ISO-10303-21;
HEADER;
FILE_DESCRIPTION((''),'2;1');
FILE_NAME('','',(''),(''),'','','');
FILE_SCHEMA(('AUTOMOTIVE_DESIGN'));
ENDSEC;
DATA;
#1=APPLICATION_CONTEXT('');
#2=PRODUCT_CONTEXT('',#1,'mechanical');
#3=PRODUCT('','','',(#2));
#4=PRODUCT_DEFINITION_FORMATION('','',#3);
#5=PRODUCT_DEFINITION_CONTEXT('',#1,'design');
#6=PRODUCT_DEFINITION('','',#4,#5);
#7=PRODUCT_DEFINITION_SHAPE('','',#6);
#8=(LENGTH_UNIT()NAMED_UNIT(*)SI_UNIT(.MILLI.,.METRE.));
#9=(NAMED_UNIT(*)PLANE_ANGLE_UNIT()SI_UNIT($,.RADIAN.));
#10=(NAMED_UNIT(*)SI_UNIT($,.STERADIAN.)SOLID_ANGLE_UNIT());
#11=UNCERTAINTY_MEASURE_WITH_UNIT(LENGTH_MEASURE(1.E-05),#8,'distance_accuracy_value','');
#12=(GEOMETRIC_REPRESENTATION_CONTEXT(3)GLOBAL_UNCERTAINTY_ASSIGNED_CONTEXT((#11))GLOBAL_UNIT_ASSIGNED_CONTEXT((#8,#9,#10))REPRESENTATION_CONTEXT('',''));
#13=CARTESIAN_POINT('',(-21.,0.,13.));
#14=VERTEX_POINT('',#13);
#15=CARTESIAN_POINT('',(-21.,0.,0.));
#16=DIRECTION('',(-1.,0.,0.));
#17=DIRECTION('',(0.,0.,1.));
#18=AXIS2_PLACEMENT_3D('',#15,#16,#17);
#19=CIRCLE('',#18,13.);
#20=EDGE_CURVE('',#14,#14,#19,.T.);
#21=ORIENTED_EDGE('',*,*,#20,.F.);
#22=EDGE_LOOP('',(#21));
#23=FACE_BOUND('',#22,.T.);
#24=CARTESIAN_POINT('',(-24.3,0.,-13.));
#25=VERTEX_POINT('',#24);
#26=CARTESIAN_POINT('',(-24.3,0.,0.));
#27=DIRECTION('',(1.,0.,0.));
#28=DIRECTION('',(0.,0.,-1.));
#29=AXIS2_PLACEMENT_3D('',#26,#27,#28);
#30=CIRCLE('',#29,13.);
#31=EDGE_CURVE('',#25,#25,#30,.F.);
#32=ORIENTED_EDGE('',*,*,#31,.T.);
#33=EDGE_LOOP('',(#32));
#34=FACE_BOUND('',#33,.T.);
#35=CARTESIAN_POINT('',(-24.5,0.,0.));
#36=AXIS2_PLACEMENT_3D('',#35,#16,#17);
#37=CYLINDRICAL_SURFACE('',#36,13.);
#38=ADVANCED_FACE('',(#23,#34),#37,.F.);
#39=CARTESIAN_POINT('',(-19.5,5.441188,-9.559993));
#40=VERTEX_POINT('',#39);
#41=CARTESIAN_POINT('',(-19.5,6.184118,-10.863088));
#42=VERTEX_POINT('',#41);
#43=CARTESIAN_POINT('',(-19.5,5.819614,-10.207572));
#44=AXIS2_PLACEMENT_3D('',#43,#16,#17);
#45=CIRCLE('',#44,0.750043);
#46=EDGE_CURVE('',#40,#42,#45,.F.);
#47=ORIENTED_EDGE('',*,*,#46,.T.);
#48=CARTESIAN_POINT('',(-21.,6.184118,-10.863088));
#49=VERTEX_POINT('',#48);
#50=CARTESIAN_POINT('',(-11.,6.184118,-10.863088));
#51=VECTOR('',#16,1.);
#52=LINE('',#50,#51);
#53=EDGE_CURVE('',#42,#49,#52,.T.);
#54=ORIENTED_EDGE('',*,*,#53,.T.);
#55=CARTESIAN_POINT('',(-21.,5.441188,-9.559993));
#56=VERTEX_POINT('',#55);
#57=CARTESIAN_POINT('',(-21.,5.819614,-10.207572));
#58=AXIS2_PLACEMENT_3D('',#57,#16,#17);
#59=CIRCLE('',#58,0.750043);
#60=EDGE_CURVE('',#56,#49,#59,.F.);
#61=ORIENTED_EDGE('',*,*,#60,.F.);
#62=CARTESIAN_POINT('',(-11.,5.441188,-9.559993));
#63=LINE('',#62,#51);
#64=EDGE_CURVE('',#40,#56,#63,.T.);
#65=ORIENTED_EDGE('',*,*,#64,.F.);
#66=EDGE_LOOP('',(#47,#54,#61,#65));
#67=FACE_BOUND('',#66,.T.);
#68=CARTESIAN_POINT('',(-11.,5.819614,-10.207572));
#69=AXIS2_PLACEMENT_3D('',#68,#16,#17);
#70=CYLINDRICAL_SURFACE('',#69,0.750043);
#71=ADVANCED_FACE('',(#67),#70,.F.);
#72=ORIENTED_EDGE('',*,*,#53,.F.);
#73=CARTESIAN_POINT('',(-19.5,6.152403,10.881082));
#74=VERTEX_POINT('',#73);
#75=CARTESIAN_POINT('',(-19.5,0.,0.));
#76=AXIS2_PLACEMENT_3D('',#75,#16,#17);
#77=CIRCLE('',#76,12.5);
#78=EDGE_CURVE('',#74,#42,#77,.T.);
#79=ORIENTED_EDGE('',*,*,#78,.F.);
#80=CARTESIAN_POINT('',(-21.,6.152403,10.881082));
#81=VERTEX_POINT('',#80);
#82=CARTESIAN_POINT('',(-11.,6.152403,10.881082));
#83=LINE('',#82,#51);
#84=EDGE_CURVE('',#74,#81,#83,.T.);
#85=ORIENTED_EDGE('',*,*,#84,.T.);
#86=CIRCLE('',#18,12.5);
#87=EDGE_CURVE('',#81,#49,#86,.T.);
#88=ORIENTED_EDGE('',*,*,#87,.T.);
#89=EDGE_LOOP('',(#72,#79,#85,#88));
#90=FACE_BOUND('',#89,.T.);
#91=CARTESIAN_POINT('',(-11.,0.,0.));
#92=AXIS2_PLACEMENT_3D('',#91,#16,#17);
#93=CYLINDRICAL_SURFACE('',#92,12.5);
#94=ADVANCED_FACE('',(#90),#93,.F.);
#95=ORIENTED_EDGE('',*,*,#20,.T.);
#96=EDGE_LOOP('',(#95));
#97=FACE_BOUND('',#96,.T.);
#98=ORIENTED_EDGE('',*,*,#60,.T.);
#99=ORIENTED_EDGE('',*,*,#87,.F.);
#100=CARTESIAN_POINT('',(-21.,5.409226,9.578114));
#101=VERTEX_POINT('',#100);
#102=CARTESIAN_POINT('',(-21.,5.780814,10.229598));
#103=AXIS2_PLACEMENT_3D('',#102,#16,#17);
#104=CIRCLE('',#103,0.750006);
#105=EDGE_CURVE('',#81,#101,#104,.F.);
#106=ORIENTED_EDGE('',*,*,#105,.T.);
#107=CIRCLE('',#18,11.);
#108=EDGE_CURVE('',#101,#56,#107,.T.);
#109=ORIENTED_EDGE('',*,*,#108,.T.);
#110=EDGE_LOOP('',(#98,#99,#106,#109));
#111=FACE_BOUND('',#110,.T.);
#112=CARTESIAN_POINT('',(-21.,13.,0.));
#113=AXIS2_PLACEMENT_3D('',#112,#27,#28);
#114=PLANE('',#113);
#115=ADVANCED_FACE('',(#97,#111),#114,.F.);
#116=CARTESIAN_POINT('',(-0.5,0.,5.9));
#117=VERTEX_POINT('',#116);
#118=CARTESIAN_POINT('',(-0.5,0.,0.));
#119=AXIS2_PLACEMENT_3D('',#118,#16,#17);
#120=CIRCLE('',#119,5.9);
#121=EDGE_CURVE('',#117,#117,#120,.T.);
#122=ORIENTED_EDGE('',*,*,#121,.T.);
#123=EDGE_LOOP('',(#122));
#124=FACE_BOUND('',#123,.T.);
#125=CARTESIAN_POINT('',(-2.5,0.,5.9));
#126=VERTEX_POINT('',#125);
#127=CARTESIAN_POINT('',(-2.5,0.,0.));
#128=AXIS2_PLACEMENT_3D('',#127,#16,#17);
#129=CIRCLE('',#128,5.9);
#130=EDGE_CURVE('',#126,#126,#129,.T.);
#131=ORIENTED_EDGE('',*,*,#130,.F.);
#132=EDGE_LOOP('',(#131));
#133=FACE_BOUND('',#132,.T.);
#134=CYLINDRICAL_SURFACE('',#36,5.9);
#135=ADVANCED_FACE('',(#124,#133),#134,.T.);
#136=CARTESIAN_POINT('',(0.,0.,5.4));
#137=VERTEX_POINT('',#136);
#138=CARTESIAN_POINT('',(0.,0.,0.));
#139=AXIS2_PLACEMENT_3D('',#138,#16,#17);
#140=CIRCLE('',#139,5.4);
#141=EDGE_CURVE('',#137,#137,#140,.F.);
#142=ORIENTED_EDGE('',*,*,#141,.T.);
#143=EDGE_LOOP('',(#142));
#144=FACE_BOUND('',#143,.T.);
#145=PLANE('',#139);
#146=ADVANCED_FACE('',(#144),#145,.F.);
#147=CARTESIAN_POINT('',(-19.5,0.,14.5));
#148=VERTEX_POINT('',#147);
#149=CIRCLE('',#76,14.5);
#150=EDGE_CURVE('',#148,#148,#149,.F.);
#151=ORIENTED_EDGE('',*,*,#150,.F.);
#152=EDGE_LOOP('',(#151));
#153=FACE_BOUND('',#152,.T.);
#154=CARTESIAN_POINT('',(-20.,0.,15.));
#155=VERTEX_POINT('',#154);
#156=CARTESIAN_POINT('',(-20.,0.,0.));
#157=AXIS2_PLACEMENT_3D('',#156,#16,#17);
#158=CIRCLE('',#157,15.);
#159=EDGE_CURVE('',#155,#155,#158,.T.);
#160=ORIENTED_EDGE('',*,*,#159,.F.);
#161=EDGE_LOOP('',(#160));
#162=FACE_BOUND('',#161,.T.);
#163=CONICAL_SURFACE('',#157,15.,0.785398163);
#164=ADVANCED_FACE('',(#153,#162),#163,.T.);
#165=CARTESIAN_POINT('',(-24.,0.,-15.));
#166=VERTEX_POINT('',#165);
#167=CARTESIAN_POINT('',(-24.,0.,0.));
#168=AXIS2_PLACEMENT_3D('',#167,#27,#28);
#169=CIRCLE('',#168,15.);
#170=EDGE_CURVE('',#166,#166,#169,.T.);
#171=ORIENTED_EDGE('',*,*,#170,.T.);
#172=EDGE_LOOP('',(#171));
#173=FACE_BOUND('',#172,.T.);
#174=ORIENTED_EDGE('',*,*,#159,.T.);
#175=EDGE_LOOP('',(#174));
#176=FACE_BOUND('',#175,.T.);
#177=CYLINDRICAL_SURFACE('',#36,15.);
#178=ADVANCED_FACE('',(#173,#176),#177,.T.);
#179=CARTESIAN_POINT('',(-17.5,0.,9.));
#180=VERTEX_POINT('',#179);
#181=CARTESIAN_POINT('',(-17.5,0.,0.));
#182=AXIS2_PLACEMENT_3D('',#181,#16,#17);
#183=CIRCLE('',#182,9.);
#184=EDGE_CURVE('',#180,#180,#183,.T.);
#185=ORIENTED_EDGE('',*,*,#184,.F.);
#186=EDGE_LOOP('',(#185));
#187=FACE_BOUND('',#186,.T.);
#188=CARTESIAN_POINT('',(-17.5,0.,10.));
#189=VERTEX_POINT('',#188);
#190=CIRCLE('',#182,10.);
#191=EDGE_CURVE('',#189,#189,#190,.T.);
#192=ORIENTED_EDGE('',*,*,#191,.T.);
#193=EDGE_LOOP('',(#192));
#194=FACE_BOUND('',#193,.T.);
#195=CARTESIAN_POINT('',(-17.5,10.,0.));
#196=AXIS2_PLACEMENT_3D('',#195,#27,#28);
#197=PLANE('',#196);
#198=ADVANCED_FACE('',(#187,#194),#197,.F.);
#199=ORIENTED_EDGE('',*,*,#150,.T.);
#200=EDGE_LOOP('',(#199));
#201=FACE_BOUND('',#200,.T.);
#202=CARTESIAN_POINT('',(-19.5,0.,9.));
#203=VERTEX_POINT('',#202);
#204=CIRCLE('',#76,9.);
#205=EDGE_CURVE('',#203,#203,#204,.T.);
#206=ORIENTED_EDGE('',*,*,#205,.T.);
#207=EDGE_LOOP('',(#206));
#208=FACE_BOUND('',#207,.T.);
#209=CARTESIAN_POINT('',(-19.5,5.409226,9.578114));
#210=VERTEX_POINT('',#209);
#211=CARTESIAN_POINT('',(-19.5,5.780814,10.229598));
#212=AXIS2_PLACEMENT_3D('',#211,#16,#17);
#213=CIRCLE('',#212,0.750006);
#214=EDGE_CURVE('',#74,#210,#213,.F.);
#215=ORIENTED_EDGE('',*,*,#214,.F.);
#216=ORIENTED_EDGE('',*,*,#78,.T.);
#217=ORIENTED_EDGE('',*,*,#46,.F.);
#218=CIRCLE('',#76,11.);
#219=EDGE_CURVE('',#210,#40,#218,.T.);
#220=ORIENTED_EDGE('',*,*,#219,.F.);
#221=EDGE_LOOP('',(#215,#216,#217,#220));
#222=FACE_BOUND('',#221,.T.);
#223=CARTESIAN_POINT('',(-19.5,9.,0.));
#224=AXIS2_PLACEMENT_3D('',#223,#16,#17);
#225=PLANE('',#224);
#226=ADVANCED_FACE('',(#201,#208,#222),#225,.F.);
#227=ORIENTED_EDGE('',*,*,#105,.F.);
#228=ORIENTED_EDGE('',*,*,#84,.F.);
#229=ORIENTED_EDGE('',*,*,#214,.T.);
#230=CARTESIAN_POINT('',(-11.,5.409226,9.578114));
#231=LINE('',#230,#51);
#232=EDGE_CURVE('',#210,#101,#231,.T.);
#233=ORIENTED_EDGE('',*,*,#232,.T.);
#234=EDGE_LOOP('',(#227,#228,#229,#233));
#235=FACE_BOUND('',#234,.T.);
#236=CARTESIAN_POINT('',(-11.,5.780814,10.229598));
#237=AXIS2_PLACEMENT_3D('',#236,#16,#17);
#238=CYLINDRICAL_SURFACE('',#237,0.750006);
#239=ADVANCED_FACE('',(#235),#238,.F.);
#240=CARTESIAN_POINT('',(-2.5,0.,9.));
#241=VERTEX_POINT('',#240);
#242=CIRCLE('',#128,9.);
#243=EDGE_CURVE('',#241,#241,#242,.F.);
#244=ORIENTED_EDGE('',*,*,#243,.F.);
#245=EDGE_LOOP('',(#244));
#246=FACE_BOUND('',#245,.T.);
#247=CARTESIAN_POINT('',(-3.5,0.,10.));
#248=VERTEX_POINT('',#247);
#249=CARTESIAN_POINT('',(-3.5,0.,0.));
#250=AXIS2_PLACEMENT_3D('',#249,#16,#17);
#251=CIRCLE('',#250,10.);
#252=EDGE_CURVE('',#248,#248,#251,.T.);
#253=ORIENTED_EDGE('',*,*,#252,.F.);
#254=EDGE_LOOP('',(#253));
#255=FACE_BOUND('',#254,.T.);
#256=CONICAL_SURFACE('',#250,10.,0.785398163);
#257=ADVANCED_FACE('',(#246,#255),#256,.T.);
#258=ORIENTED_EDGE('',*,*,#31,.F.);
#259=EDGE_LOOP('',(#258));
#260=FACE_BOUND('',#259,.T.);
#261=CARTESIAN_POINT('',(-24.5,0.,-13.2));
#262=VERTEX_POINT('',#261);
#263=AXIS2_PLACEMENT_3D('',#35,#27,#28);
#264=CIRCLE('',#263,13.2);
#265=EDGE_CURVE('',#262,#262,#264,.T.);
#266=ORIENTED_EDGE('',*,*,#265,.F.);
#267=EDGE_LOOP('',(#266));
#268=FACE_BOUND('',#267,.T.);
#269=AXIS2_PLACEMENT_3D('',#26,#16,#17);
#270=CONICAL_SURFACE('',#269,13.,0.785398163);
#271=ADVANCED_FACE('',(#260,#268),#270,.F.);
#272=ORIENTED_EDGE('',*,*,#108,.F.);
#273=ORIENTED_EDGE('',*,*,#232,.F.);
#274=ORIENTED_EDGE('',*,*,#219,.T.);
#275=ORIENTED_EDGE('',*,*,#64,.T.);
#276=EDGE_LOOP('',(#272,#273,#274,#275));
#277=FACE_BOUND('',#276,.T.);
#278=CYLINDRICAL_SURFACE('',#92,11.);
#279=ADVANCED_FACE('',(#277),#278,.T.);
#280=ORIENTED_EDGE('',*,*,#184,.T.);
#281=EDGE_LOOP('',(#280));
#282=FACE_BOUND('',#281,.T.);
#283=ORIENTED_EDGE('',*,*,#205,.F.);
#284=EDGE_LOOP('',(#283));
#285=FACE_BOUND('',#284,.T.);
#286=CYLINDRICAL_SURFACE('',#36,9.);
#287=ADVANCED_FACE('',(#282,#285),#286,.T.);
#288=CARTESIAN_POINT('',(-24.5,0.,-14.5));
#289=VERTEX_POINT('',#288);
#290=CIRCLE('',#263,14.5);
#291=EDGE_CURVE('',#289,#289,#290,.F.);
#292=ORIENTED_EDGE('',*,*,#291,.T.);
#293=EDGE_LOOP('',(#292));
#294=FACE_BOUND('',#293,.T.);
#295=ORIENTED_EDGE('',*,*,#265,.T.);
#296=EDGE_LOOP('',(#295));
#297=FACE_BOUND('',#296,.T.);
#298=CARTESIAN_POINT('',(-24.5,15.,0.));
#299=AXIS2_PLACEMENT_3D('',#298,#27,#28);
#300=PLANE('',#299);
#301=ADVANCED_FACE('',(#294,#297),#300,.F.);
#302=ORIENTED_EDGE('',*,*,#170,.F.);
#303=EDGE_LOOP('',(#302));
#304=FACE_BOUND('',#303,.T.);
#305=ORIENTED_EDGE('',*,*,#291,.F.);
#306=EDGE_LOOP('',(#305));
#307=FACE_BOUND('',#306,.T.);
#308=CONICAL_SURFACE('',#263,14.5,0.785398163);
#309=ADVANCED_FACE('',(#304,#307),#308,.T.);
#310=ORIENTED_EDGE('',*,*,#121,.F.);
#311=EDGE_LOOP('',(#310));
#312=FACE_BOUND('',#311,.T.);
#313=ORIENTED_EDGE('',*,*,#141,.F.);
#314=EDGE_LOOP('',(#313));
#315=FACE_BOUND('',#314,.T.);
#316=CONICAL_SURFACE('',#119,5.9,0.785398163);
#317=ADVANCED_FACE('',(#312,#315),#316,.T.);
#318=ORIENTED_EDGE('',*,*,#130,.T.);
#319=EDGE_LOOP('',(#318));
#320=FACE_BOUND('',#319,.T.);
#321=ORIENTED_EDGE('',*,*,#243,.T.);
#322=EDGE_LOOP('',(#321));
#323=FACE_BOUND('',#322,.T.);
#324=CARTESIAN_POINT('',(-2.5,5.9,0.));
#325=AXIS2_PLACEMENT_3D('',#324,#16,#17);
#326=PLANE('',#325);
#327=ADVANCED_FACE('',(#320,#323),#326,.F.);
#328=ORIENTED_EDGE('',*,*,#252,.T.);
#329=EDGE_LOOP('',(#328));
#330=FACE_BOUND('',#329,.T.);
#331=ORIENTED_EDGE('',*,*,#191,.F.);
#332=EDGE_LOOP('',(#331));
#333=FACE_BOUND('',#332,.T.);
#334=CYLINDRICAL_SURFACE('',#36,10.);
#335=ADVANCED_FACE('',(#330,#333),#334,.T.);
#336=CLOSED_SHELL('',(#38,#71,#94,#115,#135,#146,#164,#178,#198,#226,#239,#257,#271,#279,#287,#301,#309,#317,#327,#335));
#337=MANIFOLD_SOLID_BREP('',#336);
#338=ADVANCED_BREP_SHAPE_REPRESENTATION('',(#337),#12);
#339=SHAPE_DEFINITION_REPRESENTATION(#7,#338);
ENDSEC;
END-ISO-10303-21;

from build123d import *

# Parameters (mm, degrees)
CHAMFER1_SIZE  = 1
CHAMFER2_SIZE  = 0.5
EXTRUDE2_DEPTH = 10
CHAMFER3_SIZE  = 0.5
CHAMFER4_SIZE  = 0.2


with BuildPart() as part:
    # Sketch1 → Revolve1 (revolve)
    with BuildSketch(Plane.XY, mode=Mode.PRIVATE) as revolve1_sk:
        Polygon((0, 0), (0, 5.9), (-2.5, 5.9), (-2.5, 10), (-17.5, 10), (-17.5, 9), (-19.5, 9), (-19.5, 15), (-24.5, 15), (-24.5, 13), (-21, 13), (-21, 0), align=None)
    revolve(revolve1_sk.sketch.rotate(Axis((-24.5, 0, 0), (1, 0, 0)), 90), axis=Axis((-24.5, 0, 0), (1, 0, 0)))

    # Chamfer1
    chamfer1_edges = [part.edges().sort_by_distance(p)[0] for p in [
        (-2.5, 0, -10),
    ]]
    chamfer(chamfer1_edges, length=CHAMFER1_SIZE)

    # Chamfer2
    chamfer2_edges = [part.edges().sort_by_distance(p)[0] for p in [
        (0, 0, -5.9),
    ]]
    chamfer(chamfer2_edges, length=CHAMFER2_SIZE)

    # Sketch2 → Extrude2 (cut)
    with BuildSketch(Plane.ZY.offset(21)):
        with BuildLine():
            ThreePointArc((9.578114368, 5.40922593), (10.601186453, 5.129330555), (10.881081828, 6.152402641))
            ThreePointArc((10.881081828, 6.152402641), (0.026245134, 12.499972448), (-10.855150648, 6.198040369))
            ThreePointArc((-10.855150648, 6.198040369), (-10.859121552, 6.19108061), (-10.863087994, 6.184118308))
            ThreePointArc((-10.863087994, 6.184118308), (-10.579057999, 5.168029786), (-9.559993103, 5.441188461))
            ThreePointArc((-9.559993103, 5.441188461), (0.018371062, 10.999984659), (9.578114368, 5.40922593))
        make_face()
    extrude(amount=-EXTRUDE2_DEPTH, mode=Mode.SUBTRACT)

    # Chamfer3
    chamfer3_edges = [part.edges().sort_by_distance(p)[0] for p in [
        (-19.5, 0, -15),
        (-24.5, 0, -15),
    ]]
    chamfer(chamfer3_edges, length=CHAMFER3_SIZE)

    # Chamfer4
    chamfer4_edges = [part.edges().sort_by_distance(p)[0] for p in [
        (-24.5, 0, -13),
    ]]
    chamfer(chamfer4_edges, length=CHAMFER4_SIZE)


solid = part.part
